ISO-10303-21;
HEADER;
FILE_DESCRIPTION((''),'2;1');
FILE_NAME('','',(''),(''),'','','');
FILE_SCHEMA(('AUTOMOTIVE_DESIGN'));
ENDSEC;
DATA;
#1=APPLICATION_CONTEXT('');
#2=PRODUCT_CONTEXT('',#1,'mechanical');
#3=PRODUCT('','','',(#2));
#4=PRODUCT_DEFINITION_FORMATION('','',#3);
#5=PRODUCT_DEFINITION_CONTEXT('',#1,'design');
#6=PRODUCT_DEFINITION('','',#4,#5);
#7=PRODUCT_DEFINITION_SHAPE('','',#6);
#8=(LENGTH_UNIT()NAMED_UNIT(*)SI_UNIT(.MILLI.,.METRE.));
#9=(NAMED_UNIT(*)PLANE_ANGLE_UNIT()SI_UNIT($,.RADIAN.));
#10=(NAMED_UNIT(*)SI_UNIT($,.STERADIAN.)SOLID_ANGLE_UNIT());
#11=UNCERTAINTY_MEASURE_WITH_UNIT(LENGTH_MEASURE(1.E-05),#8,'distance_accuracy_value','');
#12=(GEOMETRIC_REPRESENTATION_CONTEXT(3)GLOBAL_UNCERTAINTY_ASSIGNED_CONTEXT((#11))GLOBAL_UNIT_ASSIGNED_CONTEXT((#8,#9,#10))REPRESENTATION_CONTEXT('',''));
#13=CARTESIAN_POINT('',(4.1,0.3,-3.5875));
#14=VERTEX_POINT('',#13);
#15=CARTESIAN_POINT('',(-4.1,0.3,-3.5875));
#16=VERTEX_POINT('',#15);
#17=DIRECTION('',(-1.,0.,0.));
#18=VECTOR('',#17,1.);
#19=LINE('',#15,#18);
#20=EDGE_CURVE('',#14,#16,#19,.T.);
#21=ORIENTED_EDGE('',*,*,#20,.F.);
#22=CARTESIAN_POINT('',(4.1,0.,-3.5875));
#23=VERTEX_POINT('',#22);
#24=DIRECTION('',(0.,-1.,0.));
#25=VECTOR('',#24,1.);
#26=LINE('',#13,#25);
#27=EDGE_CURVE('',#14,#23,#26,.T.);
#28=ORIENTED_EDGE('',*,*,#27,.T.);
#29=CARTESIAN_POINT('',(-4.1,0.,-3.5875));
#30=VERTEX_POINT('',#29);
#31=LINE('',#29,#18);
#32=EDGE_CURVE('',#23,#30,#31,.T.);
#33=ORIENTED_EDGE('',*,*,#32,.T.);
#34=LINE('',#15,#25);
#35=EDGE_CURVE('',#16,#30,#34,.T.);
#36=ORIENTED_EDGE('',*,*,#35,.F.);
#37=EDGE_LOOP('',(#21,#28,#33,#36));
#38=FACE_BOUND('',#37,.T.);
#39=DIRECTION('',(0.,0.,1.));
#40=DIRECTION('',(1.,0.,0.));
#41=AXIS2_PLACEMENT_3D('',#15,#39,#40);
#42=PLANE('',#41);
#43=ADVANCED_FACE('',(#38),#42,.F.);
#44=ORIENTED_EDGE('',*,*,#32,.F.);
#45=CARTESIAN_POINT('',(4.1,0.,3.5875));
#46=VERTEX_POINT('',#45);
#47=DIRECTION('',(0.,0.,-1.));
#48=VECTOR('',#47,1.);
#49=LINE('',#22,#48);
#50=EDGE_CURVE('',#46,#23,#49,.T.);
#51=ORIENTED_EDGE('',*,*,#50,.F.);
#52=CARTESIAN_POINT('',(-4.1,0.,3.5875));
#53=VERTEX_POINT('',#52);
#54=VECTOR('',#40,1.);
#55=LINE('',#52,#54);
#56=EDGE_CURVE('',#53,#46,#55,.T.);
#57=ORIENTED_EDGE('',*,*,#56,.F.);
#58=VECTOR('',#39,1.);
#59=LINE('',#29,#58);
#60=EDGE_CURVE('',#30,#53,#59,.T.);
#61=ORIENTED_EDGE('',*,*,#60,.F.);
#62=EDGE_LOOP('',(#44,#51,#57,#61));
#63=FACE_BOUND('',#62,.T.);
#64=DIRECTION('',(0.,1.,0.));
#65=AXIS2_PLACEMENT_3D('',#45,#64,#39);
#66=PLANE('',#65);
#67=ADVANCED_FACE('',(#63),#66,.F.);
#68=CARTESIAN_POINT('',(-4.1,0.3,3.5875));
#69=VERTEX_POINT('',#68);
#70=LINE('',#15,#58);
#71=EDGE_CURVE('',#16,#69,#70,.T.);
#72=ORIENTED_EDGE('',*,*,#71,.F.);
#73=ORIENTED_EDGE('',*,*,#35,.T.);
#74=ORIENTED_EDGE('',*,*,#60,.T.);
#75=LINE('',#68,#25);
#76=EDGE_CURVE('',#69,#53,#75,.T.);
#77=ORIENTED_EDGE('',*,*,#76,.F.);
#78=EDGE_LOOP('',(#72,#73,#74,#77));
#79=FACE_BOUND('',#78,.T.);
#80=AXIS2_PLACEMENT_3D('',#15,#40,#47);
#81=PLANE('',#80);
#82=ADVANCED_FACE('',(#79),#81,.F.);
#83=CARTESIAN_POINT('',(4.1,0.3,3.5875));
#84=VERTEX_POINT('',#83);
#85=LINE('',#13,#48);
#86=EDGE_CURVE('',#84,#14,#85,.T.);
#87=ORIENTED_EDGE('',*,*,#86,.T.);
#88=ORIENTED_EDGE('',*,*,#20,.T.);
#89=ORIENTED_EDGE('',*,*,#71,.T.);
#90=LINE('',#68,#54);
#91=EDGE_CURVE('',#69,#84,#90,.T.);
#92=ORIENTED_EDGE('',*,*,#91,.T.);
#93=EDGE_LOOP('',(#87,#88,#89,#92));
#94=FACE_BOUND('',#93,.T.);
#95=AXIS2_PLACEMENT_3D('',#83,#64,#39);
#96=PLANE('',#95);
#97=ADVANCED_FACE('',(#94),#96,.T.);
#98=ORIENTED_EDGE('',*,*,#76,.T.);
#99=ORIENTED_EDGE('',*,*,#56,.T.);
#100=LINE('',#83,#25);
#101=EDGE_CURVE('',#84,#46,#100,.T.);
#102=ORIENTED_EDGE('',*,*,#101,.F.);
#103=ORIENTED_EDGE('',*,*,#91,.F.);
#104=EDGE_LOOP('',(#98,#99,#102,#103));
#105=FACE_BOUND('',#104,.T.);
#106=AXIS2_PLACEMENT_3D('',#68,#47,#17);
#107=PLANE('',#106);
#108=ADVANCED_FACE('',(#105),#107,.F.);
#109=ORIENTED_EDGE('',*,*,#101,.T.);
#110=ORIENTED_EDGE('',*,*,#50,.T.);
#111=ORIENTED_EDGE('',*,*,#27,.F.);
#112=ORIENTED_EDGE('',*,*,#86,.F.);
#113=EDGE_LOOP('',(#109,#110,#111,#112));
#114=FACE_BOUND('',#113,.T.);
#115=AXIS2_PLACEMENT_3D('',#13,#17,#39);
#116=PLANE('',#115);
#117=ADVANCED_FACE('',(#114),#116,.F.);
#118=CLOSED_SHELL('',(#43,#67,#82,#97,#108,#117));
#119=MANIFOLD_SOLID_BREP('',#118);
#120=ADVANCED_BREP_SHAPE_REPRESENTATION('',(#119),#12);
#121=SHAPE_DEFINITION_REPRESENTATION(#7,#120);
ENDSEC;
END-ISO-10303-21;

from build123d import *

# Parameters (mm, degrees)
SKETCH1_W      = 8.2
SKETCH1_H      = 7.175
EXTRUDE1_DEPTH = 0.3


with BuildPart() as part:
    # Sketch1 → Extrude1 (new body)
    with BuildSketch(Plane(origin=(0, 0, 0), x_dir=(1, 0, 0), z_dir=(0, 1, 0))):
        Rectangle(SKETCH1_W, SKETCH1_H)
    extrude(amount=EXTRUDE1_DEPTH)


solid = part.part
